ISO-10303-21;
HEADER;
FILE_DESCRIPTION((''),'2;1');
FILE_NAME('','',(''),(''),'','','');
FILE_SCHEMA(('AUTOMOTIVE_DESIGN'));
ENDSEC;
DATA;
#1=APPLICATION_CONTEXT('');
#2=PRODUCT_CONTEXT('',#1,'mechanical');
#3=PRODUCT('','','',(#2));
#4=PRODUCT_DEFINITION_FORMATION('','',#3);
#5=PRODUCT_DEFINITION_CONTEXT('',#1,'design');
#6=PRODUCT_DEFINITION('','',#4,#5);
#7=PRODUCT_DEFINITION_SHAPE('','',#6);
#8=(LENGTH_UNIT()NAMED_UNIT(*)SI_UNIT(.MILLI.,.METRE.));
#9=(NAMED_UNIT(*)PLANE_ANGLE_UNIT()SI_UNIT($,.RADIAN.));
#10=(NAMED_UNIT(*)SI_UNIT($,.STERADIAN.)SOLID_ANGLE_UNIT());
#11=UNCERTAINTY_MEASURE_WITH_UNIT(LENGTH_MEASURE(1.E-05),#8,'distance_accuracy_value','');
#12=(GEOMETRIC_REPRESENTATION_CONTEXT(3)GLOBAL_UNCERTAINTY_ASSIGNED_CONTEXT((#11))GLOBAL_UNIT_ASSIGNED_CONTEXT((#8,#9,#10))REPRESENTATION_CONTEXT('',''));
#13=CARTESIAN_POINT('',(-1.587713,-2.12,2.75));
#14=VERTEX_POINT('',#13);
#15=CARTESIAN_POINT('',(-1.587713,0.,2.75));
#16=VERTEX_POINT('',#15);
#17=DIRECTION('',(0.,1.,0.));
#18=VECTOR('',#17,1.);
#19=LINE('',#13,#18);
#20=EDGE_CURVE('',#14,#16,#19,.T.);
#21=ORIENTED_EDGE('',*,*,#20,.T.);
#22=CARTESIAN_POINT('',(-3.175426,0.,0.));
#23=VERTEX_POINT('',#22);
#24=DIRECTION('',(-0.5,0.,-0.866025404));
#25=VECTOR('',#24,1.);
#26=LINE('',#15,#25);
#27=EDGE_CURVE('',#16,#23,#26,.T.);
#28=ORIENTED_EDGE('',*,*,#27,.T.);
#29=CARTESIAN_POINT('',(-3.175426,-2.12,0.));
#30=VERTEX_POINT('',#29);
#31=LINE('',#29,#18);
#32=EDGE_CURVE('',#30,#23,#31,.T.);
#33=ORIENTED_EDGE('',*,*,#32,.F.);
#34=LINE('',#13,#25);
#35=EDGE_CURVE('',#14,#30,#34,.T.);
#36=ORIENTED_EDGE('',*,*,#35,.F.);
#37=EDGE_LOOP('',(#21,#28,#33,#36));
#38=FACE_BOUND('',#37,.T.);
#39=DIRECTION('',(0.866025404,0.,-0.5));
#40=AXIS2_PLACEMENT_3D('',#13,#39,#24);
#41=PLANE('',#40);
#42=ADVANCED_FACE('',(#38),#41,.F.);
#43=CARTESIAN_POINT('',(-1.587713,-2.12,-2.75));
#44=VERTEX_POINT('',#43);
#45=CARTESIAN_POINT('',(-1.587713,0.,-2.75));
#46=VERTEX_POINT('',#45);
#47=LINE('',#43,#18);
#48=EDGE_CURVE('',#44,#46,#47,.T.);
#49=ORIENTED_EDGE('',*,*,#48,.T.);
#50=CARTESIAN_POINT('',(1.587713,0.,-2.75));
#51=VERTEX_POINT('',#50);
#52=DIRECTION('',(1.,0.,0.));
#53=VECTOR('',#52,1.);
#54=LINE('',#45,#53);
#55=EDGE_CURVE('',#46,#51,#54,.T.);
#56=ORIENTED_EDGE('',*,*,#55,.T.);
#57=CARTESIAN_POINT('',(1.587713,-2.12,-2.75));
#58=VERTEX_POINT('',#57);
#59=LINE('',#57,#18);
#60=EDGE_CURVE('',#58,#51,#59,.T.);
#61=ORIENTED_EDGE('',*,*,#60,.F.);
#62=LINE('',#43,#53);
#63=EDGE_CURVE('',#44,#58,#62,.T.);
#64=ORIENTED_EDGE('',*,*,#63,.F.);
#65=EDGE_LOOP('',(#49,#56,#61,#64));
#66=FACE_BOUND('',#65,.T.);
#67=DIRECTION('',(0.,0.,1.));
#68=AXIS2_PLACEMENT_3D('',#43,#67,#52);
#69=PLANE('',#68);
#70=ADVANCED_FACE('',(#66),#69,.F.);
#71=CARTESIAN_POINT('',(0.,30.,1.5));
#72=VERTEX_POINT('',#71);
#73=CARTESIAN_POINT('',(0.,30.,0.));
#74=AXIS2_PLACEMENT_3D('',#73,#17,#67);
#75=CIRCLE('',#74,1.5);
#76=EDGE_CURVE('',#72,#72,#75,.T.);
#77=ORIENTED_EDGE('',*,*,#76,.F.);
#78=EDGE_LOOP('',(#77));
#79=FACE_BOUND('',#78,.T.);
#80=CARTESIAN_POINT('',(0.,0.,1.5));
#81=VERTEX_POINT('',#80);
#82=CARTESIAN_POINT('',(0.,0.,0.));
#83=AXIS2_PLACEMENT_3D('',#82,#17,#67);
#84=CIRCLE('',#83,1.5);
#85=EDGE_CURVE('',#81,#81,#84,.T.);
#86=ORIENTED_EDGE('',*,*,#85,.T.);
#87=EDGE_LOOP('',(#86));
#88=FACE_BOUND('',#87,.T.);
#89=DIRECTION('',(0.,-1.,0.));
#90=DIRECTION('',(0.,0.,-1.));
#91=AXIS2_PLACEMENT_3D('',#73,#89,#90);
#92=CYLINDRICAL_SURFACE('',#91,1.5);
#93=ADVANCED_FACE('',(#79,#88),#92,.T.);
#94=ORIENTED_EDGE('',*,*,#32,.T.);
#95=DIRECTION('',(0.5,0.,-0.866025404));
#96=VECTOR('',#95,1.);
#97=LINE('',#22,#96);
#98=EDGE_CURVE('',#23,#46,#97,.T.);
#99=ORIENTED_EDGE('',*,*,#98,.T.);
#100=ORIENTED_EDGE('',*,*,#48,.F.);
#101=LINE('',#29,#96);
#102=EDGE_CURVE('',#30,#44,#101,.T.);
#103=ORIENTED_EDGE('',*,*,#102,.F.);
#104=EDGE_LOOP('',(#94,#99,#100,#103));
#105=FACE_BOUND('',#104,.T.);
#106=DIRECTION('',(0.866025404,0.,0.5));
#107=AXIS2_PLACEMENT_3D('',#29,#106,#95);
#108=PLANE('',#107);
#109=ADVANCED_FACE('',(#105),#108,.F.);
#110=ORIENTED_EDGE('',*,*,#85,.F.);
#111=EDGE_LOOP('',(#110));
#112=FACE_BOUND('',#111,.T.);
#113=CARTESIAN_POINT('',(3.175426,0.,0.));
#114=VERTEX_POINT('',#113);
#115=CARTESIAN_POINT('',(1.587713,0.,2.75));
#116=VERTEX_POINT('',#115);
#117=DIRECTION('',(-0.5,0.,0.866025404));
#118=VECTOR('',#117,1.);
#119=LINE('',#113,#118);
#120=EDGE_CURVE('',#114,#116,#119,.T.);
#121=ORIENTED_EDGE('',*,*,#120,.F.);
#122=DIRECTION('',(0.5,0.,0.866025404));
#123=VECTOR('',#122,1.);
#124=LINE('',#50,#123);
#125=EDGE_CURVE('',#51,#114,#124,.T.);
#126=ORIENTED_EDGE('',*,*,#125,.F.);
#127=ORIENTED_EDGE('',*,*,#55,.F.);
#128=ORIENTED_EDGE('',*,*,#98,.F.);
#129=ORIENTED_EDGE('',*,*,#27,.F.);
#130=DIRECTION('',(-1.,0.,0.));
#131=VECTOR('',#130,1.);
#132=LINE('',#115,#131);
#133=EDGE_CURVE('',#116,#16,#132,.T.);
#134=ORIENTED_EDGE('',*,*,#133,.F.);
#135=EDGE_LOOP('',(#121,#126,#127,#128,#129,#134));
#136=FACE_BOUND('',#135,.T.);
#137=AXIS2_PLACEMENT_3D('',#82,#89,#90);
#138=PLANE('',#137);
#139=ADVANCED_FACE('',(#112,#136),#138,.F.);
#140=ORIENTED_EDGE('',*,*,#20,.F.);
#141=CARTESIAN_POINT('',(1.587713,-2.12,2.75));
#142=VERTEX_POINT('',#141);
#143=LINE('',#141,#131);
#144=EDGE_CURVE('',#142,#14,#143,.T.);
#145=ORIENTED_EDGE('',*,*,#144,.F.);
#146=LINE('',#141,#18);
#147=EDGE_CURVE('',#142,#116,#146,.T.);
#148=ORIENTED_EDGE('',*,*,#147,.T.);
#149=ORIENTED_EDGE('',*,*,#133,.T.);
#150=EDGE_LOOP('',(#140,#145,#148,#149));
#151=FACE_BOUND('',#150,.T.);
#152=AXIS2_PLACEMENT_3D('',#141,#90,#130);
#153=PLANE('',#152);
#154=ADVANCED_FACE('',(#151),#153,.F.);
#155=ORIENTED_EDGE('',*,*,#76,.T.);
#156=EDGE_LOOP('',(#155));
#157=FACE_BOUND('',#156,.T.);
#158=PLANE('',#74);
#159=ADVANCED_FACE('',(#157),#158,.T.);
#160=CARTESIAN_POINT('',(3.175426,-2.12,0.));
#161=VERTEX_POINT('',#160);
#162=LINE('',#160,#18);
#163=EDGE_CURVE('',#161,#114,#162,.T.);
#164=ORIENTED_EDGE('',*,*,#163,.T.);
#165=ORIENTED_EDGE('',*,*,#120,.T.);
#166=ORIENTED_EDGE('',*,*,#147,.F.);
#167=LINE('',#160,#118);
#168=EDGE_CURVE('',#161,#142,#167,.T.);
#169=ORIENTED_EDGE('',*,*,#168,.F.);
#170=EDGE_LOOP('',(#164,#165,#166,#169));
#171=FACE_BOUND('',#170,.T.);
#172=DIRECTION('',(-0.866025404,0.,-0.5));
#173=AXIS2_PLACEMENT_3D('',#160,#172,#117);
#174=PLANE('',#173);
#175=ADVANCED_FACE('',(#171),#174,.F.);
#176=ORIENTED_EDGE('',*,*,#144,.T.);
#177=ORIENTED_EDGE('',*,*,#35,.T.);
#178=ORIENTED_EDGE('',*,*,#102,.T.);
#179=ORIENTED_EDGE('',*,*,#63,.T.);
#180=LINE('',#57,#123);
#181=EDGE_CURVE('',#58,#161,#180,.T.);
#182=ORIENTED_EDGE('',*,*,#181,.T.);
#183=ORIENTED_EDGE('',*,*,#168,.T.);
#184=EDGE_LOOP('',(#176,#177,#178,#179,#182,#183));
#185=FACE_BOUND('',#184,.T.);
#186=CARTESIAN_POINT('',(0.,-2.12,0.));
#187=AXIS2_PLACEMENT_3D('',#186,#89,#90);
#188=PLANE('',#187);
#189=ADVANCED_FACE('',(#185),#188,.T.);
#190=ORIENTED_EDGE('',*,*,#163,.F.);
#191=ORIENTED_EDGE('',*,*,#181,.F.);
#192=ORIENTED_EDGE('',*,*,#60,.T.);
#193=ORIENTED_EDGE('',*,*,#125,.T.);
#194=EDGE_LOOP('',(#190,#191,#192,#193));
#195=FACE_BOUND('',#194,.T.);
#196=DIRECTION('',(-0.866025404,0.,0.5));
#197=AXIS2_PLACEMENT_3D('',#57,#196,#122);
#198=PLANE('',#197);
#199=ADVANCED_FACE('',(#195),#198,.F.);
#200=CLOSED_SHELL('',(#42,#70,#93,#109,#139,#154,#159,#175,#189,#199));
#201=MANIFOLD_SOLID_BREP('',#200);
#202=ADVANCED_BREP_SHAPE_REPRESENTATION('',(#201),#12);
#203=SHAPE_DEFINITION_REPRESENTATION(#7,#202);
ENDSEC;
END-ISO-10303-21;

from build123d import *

# Parameters (mm, degrees)
SKETCH_1_R      = 1.5
EXTRUDE_1_DEPTH = 30
EXTRUDE_2_DEPTH = 2.12


with BuildPart() as part:
    # 草图1 → 凸台-拉伸1 (new body)
    with BuildSketch(Plane(origin=(0, 0, 0), x_dir=(1, 0, 0), z_dir=(0, 1, 0))):
        with Locations(Location((0, 0, 0), (0, 0, 270))):
            Circle(SKETCH_1_R)
    extrude(amount=EXTRUDE_1_DEPTH)

    # 草图3 → 凸台-拉伸2 (add)
    with BuildSketch(Plane.XZ):
        Polygon((3.175426481, 0), (1.58771324, 2.75), (-1.58771324, 2.75), (-3.175426481, 0), (-1.58771324, -2.75), (1.58771324, -2.75), align=None)
    extrude(amount=EXTRUDE_2_DEPTH)


solid = part.part
